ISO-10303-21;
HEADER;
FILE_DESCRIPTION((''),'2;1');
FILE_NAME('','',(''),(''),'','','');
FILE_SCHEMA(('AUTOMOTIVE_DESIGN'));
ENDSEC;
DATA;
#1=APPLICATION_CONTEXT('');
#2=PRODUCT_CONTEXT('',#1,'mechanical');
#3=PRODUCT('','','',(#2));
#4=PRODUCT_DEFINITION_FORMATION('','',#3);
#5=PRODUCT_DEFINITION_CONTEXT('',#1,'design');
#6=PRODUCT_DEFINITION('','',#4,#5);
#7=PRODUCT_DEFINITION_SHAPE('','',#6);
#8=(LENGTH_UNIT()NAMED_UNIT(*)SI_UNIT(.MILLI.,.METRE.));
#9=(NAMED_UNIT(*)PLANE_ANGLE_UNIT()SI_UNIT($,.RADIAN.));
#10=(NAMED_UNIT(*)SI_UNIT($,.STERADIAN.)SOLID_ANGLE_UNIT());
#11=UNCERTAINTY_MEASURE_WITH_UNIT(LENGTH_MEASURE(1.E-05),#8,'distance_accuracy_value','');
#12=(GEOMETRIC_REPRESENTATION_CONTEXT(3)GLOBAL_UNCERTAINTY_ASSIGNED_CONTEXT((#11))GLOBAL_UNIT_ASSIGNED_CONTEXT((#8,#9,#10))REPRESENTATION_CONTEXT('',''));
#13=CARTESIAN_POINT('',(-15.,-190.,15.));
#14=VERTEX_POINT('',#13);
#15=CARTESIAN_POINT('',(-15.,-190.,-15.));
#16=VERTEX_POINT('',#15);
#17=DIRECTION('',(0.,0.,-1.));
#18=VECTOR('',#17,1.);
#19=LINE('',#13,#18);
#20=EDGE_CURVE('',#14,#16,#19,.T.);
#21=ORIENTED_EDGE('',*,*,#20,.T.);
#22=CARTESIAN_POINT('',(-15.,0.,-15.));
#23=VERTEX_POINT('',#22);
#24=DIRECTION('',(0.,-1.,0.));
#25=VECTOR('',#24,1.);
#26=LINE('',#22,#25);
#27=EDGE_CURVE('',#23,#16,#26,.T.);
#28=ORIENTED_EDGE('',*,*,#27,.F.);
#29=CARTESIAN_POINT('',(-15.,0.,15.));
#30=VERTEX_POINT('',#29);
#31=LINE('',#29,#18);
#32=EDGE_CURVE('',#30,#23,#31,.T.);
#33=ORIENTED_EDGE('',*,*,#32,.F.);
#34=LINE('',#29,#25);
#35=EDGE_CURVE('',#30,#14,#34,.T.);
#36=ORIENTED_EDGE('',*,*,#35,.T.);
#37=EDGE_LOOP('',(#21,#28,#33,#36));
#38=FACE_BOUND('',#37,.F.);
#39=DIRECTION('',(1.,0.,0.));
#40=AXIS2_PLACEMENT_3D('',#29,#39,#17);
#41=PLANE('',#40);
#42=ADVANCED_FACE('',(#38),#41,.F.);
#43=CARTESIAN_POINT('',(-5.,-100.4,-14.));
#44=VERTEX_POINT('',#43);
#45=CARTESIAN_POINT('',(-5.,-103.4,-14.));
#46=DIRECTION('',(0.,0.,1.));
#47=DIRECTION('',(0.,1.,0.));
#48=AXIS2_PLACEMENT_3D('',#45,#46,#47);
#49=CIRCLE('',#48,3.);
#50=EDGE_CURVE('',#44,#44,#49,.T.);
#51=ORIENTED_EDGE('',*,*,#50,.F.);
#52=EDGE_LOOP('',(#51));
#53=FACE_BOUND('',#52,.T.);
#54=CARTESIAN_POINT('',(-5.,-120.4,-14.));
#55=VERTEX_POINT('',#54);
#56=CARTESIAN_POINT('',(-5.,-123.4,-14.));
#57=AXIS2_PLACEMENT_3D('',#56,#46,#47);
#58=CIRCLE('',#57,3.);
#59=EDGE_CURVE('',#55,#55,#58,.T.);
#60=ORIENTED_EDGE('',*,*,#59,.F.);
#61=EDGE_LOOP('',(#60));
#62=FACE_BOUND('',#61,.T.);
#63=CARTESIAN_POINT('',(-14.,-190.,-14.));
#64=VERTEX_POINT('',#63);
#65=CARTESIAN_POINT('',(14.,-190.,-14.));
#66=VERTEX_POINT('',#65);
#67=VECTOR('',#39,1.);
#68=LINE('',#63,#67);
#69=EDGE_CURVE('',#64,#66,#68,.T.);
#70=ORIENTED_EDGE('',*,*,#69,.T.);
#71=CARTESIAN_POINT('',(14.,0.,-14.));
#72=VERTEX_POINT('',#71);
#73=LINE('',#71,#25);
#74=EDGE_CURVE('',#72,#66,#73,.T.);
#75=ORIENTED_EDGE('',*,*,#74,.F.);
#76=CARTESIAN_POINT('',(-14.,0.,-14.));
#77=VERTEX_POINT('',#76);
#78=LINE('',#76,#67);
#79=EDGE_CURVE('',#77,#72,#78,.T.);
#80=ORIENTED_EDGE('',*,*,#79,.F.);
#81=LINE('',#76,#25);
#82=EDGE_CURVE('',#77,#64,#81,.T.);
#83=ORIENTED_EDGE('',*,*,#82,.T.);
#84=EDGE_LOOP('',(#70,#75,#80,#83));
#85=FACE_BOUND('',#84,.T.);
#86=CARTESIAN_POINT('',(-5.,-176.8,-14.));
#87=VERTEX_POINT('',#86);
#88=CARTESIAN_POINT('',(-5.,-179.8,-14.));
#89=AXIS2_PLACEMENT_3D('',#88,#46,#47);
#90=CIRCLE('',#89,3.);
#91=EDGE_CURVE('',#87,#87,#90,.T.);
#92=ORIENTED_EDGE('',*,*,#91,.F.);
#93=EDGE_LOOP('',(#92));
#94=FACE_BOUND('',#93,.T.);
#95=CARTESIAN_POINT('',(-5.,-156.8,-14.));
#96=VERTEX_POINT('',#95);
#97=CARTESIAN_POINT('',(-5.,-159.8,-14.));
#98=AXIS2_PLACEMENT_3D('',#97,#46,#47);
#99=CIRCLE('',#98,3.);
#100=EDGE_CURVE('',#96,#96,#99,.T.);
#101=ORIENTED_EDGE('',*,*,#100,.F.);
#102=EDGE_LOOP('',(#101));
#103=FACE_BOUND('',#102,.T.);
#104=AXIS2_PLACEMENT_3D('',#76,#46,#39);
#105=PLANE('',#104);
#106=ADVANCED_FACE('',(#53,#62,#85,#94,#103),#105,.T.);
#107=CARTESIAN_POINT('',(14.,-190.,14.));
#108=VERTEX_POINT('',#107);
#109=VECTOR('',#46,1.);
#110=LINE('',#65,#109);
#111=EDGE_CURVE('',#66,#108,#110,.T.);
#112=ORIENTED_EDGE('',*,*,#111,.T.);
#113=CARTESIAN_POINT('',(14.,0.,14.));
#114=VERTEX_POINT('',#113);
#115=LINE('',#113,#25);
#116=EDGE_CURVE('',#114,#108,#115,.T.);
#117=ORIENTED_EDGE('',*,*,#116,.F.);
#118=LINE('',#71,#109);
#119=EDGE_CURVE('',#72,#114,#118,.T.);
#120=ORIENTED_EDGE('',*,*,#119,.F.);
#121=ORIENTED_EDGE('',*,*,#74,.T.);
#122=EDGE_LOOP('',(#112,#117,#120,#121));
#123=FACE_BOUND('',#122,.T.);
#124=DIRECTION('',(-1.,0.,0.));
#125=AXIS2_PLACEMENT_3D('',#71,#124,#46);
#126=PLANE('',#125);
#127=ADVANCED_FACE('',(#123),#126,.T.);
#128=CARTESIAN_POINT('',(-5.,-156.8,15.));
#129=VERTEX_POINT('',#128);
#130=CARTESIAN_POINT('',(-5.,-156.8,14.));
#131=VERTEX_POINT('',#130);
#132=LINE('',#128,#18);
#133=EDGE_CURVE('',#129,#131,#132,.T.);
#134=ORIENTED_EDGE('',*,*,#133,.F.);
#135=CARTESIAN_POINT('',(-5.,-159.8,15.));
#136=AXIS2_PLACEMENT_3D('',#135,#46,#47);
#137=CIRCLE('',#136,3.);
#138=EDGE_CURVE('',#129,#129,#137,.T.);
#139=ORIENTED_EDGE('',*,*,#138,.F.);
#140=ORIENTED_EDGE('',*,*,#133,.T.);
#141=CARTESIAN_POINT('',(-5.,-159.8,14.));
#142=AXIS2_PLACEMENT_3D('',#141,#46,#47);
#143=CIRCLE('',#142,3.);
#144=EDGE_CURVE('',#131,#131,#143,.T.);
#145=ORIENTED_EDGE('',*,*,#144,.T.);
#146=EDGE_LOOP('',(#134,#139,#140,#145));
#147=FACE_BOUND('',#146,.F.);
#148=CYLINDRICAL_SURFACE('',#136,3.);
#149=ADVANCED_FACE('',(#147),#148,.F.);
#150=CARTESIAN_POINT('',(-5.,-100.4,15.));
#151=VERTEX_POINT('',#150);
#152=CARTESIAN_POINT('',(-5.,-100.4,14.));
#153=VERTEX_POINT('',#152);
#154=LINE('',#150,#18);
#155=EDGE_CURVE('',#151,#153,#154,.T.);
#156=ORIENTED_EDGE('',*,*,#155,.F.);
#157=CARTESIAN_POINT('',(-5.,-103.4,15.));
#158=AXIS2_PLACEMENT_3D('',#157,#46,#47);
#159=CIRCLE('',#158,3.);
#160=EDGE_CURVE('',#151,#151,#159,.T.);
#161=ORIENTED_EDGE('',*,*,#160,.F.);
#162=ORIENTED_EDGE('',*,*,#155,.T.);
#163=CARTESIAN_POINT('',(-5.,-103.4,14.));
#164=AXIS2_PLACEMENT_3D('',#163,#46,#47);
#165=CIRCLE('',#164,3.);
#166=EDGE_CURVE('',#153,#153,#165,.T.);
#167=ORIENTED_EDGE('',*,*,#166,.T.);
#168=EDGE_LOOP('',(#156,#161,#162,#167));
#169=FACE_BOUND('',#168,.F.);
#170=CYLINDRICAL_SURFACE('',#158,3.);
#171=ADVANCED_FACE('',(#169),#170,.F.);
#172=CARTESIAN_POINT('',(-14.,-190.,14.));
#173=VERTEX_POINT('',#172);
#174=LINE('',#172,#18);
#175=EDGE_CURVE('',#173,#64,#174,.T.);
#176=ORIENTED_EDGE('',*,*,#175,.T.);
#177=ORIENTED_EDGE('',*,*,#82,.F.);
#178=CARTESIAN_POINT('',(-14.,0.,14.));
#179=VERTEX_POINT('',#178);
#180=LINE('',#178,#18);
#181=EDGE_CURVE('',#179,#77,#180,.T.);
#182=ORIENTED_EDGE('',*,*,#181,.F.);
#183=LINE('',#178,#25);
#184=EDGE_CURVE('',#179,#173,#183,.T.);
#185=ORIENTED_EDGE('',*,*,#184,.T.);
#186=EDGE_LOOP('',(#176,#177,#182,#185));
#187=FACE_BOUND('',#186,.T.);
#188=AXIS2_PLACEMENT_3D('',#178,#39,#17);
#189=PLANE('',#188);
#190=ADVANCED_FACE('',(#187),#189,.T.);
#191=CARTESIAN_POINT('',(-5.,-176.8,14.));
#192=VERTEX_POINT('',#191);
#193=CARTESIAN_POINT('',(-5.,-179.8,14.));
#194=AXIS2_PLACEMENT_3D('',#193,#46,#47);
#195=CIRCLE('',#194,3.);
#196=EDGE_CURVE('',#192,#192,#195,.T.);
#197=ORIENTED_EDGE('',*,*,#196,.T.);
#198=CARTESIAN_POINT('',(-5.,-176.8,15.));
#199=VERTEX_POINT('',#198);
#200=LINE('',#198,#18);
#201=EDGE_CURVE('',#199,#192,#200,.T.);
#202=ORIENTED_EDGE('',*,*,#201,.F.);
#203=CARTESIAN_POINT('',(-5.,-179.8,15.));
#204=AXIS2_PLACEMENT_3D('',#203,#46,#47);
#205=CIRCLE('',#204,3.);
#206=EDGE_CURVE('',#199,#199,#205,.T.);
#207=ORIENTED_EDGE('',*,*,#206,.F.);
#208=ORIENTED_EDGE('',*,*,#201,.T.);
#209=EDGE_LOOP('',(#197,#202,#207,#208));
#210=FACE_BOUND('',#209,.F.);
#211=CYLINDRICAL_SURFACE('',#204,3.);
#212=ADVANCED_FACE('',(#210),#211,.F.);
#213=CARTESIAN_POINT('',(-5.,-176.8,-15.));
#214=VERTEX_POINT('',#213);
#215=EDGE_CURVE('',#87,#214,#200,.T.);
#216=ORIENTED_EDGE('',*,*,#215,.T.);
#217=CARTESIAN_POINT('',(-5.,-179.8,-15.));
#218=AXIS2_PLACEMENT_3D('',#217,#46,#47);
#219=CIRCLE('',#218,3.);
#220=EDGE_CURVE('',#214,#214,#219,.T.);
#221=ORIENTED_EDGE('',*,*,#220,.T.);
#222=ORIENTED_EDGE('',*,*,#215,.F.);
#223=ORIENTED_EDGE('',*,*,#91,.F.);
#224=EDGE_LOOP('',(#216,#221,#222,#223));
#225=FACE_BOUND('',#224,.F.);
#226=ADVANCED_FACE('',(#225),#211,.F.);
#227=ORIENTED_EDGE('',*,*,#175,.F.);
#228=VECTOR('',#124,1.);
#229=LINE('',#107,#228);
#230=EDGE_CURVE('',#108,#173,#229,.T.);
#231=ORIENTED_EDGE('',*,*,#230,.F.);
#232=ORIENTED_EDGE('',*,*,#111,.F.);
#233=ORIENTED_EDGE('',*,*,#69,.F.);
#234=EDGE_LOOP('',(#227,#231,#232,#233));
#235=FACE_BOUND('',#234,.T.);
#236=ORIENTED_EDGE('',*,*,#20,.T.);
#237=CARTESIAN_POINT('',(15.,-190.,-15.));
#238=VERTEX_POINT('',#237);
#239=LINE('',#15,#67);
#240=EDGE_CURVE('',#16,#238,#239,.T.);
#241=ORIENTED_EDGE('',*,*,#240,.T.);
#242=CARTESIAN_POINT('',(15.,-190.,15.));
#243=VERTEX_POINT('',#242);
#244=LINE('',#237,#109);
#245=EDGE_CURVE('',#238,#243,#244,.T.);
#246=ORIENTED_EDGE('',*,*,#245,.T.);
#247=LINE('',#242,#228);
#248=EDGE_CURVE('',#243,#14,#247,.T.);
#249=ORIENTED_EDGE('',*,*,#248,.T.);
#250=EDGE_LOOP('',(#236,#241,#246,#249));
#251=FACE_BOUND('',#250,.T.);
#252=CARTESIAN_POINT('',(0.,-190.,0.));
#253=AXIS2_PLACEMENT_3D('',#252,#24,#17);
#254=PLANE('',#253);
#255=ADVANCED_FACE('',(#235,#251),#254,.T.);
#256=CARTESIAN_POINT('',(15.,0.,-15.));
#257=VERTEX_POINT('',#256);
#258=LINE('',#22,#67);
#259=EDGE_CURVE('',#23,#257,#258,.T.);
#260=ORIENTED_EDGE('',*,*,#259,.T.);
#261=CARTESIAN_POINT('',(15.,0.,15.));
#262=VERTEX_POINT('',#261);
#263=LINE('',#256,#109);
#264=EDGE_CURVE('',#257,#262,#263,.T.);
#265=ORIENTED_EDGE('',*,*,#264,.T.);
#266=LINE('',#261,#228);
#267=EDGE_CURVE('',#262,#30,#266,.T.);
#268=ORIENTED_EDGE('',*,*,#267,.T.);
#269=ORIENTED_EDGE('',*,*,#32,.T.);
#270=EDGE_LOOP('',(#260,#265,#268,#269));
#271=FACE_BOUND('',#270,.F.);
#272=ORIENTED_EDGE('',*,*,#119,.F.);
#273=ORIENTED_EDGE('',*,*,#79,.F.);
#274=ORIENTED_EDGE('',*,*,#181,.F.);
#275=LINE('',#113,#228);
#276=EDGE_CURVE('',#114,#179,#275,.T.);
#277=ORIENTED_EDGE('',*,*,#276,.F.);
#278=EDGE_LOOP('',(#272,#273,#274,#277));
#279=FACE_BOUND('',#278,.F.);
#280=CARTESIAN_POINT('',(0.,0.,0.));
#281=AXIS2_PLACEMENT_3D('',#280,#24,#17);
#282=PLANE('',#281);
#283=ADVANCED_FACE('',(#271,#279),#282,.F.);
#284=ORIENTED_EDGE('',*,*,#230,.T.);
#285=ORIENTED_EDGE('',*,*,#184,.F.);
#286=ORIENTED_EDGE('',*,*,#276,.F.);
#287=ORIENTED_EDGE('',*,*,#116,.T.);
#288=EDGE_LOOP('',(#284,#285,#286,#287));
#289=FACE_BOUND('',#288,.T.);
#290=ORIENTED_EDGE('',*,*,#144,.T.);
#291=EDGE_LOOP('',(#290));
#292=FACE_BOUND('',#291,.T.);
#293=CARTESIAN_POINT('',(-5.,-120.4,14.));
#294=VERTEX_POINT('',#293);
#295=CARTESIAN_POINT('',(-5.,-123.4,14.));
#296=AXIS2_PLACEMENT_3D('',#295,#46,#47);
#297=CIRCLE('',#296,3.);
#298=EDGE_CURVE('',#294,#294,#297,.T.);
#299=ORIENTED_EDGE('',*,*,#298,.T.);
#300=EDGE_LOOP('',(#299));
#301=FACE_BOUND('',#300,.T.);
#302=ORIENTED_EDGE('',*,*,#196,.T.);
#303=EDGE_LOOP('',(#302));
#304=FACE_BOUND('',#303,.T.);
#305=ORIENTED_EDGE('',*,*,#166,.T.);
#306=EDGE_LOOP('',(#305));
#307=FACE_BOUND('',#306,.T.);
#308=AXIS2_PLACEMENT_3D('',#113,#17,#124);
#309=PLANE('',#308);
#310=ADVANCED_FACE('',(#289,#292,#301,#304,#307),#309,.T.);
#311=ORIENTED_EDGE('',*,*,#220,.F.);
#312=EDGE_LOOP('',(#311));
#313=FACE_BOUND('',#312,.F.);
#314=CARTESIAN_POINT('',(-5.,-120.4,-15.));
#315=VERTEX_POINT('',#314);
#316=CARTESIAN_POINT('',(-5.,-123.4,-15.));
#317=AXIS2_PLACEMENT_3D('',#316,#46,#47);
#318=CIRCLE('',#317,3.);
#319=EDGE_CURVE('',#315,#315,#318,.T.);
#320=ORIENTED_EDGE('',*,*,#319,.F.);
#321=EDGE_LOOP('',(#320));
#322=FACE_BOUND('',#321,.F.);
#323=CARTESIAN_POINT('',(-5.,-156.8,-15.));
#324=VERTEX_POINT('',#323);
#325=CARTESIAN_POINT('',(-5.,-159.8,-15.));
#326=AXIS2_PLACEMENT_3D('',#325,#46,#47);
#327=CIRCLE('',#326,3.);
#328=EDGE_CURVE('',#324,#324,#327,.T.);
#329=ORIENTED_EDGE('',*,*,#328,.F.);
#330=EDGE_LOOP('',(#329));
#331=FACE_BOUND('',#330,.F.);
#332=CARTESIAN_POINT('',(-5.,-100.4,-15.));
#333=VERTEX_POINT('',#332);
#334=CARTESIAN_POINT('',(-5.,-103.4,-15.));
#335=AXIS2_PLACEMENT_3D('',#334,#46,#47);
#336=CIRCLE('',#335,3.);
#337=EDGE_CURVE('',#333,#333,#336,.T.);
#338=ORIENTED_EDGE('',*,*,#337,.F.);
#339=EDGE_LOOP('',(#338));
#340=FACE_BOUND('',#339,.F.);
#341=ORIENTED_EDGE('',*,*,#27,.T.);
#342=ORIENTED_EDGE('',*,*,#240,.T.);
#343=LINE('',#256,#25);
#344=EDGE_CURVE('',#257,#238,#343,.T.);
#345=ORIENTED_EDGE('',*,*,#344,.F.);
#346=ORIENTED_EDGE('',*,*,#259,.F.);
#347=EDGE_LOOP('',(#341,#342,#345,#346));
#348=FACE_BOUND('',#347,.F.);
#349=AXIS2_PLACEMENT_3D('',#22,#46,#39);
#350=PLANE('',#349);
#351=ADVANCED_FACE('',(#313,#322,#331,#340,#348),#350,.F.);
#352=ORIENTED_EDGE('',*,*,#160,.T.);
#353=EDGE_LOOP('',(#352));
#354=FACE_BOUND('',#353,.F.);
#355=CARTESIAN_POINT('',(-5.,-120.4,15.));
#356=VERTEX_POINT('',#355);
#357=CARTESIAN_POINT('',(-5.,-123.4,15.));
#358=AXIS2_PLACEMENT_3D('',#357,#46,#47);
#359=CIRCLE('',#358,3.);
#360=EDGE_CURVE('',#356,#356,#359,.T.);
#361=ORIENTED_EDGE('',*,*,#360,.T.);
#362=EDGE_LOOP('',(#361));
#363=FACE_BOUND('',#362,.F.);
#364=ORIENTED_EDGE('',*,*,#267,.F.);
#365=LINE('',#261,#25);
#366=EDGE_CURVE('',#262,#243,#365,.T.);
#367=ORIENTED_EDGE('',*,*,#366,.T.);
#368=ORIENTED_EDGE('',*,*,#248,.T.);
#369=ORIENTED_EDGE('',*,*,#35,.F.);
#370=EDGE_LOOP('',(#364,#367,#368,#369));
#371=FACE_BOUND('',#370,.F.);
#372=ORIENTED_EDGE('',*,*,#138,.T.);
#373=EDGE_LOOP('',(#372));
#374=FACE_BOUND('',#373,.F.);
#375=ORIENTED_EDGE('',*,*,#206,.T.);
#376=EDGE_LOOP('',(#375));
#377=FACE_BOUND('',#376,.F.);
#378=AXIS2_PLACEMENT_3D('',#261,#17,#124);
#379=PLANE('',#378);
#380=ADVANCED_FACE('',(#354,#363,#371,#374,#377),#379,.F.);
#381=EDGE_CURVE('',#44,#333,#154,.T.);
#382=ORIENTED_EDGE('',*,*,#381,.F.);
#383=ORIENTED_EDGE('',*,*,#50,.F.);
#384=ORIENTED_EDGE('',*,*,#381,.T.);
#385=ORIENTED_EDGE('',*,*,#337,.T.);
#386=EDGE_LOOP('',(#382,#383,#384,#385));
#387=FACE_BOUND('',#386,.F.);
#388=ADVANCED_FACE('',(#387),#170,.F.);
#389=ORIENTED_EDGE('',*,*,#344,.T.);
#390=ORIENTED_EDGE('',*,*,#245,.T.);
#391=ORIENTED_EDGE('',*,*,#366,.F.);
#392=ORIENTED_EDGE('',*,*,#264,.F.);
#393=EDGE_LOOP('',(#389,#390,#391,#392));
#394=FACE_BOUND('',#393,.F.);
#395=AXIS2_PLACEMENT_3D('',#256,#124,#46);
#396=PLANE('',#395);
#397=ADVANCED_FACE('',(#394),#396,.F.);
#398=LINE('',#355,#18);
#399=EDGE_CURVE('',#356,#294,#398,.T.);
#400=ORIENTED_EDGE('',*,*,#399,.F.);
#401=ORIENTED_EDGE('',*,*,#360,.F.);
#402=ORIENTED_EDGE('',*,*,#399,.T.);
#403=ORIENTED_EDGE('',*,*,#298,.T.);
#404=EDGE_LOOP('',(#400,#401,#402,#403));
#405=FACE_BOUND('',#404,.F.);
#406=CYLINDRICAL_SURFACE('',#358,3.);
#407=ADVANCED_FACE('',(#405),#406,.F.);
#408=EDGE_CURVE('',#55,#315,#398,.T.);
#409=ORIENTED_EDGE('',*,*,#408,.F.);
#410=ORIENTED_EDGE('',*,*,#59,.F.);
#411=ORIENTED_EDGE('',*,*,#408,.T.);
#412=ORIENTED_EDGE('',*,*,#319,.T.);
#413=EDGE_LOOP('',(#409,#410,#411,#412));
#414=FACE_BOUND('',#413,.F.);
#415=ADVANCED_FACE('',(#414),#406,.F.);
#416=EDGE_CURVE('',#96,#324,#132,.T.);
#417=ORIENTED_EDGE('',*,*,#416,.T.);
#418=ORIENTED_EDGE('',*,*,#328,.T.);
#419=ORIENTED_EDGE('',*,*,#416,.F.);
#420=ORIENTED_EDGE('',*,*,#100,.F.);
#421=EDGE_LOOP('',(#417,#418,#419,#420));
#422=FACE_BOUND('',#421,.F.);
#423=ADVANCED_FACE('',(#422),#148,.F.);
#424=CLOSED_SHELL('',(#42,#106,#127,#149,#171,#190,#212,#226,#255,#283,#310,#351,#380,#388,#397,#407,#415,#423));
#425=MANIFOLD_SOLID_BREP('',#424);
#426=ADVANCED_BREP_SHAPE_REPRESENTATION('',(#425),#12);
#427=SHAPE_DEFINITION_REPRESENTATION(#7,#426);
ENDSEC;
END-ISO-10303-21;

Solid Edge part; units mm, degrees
sketch "Sketch1" plane through (0, 0, 0) normal (0, -1, 0) x (1, 0, 0)
  line L0 (-15, 15) -> (-15, -15)
  line L1 (-15, -15) -> (15, -15)
  line L2 (15, -15) -> (15, 15)
  line L3 (15, 15) -> (-15, 15)
  line L4 (-14, 14) -> (-14, -14)
  line L5 (-14, -14) -> (14, -14)
  line L6 (14, -14) -> (14, 14)
  line L7 (14, 14) -> (-14, 14)
extrude "Protrusion1" add sketch "Sketch1" along normal blind 190
sketch "Sketch2" plane through (0, -95, 15) normal (0, 0, 1) x (0, 1, 0)
  circle A0 centre (-8.4, 5) radius 3
  circle A1 centre (-28.4, 5) radius 3
  circle A2 centre (-64.8, 5) radius 3
  circle A3 centre (-84.8, 5) radius 3
  dimension "D1" = 10
  dimension "D2" = 6
  dimension "D3" = 10.2
  dimension "D4" = 20
  dimension "D5" = 36.4
  dimension "D6" = 20
extrude "ExtrudedCutout_1" cut sketch "Sketch2" against normal blind 204.0165
fillet "Round_1" [suppressed]
